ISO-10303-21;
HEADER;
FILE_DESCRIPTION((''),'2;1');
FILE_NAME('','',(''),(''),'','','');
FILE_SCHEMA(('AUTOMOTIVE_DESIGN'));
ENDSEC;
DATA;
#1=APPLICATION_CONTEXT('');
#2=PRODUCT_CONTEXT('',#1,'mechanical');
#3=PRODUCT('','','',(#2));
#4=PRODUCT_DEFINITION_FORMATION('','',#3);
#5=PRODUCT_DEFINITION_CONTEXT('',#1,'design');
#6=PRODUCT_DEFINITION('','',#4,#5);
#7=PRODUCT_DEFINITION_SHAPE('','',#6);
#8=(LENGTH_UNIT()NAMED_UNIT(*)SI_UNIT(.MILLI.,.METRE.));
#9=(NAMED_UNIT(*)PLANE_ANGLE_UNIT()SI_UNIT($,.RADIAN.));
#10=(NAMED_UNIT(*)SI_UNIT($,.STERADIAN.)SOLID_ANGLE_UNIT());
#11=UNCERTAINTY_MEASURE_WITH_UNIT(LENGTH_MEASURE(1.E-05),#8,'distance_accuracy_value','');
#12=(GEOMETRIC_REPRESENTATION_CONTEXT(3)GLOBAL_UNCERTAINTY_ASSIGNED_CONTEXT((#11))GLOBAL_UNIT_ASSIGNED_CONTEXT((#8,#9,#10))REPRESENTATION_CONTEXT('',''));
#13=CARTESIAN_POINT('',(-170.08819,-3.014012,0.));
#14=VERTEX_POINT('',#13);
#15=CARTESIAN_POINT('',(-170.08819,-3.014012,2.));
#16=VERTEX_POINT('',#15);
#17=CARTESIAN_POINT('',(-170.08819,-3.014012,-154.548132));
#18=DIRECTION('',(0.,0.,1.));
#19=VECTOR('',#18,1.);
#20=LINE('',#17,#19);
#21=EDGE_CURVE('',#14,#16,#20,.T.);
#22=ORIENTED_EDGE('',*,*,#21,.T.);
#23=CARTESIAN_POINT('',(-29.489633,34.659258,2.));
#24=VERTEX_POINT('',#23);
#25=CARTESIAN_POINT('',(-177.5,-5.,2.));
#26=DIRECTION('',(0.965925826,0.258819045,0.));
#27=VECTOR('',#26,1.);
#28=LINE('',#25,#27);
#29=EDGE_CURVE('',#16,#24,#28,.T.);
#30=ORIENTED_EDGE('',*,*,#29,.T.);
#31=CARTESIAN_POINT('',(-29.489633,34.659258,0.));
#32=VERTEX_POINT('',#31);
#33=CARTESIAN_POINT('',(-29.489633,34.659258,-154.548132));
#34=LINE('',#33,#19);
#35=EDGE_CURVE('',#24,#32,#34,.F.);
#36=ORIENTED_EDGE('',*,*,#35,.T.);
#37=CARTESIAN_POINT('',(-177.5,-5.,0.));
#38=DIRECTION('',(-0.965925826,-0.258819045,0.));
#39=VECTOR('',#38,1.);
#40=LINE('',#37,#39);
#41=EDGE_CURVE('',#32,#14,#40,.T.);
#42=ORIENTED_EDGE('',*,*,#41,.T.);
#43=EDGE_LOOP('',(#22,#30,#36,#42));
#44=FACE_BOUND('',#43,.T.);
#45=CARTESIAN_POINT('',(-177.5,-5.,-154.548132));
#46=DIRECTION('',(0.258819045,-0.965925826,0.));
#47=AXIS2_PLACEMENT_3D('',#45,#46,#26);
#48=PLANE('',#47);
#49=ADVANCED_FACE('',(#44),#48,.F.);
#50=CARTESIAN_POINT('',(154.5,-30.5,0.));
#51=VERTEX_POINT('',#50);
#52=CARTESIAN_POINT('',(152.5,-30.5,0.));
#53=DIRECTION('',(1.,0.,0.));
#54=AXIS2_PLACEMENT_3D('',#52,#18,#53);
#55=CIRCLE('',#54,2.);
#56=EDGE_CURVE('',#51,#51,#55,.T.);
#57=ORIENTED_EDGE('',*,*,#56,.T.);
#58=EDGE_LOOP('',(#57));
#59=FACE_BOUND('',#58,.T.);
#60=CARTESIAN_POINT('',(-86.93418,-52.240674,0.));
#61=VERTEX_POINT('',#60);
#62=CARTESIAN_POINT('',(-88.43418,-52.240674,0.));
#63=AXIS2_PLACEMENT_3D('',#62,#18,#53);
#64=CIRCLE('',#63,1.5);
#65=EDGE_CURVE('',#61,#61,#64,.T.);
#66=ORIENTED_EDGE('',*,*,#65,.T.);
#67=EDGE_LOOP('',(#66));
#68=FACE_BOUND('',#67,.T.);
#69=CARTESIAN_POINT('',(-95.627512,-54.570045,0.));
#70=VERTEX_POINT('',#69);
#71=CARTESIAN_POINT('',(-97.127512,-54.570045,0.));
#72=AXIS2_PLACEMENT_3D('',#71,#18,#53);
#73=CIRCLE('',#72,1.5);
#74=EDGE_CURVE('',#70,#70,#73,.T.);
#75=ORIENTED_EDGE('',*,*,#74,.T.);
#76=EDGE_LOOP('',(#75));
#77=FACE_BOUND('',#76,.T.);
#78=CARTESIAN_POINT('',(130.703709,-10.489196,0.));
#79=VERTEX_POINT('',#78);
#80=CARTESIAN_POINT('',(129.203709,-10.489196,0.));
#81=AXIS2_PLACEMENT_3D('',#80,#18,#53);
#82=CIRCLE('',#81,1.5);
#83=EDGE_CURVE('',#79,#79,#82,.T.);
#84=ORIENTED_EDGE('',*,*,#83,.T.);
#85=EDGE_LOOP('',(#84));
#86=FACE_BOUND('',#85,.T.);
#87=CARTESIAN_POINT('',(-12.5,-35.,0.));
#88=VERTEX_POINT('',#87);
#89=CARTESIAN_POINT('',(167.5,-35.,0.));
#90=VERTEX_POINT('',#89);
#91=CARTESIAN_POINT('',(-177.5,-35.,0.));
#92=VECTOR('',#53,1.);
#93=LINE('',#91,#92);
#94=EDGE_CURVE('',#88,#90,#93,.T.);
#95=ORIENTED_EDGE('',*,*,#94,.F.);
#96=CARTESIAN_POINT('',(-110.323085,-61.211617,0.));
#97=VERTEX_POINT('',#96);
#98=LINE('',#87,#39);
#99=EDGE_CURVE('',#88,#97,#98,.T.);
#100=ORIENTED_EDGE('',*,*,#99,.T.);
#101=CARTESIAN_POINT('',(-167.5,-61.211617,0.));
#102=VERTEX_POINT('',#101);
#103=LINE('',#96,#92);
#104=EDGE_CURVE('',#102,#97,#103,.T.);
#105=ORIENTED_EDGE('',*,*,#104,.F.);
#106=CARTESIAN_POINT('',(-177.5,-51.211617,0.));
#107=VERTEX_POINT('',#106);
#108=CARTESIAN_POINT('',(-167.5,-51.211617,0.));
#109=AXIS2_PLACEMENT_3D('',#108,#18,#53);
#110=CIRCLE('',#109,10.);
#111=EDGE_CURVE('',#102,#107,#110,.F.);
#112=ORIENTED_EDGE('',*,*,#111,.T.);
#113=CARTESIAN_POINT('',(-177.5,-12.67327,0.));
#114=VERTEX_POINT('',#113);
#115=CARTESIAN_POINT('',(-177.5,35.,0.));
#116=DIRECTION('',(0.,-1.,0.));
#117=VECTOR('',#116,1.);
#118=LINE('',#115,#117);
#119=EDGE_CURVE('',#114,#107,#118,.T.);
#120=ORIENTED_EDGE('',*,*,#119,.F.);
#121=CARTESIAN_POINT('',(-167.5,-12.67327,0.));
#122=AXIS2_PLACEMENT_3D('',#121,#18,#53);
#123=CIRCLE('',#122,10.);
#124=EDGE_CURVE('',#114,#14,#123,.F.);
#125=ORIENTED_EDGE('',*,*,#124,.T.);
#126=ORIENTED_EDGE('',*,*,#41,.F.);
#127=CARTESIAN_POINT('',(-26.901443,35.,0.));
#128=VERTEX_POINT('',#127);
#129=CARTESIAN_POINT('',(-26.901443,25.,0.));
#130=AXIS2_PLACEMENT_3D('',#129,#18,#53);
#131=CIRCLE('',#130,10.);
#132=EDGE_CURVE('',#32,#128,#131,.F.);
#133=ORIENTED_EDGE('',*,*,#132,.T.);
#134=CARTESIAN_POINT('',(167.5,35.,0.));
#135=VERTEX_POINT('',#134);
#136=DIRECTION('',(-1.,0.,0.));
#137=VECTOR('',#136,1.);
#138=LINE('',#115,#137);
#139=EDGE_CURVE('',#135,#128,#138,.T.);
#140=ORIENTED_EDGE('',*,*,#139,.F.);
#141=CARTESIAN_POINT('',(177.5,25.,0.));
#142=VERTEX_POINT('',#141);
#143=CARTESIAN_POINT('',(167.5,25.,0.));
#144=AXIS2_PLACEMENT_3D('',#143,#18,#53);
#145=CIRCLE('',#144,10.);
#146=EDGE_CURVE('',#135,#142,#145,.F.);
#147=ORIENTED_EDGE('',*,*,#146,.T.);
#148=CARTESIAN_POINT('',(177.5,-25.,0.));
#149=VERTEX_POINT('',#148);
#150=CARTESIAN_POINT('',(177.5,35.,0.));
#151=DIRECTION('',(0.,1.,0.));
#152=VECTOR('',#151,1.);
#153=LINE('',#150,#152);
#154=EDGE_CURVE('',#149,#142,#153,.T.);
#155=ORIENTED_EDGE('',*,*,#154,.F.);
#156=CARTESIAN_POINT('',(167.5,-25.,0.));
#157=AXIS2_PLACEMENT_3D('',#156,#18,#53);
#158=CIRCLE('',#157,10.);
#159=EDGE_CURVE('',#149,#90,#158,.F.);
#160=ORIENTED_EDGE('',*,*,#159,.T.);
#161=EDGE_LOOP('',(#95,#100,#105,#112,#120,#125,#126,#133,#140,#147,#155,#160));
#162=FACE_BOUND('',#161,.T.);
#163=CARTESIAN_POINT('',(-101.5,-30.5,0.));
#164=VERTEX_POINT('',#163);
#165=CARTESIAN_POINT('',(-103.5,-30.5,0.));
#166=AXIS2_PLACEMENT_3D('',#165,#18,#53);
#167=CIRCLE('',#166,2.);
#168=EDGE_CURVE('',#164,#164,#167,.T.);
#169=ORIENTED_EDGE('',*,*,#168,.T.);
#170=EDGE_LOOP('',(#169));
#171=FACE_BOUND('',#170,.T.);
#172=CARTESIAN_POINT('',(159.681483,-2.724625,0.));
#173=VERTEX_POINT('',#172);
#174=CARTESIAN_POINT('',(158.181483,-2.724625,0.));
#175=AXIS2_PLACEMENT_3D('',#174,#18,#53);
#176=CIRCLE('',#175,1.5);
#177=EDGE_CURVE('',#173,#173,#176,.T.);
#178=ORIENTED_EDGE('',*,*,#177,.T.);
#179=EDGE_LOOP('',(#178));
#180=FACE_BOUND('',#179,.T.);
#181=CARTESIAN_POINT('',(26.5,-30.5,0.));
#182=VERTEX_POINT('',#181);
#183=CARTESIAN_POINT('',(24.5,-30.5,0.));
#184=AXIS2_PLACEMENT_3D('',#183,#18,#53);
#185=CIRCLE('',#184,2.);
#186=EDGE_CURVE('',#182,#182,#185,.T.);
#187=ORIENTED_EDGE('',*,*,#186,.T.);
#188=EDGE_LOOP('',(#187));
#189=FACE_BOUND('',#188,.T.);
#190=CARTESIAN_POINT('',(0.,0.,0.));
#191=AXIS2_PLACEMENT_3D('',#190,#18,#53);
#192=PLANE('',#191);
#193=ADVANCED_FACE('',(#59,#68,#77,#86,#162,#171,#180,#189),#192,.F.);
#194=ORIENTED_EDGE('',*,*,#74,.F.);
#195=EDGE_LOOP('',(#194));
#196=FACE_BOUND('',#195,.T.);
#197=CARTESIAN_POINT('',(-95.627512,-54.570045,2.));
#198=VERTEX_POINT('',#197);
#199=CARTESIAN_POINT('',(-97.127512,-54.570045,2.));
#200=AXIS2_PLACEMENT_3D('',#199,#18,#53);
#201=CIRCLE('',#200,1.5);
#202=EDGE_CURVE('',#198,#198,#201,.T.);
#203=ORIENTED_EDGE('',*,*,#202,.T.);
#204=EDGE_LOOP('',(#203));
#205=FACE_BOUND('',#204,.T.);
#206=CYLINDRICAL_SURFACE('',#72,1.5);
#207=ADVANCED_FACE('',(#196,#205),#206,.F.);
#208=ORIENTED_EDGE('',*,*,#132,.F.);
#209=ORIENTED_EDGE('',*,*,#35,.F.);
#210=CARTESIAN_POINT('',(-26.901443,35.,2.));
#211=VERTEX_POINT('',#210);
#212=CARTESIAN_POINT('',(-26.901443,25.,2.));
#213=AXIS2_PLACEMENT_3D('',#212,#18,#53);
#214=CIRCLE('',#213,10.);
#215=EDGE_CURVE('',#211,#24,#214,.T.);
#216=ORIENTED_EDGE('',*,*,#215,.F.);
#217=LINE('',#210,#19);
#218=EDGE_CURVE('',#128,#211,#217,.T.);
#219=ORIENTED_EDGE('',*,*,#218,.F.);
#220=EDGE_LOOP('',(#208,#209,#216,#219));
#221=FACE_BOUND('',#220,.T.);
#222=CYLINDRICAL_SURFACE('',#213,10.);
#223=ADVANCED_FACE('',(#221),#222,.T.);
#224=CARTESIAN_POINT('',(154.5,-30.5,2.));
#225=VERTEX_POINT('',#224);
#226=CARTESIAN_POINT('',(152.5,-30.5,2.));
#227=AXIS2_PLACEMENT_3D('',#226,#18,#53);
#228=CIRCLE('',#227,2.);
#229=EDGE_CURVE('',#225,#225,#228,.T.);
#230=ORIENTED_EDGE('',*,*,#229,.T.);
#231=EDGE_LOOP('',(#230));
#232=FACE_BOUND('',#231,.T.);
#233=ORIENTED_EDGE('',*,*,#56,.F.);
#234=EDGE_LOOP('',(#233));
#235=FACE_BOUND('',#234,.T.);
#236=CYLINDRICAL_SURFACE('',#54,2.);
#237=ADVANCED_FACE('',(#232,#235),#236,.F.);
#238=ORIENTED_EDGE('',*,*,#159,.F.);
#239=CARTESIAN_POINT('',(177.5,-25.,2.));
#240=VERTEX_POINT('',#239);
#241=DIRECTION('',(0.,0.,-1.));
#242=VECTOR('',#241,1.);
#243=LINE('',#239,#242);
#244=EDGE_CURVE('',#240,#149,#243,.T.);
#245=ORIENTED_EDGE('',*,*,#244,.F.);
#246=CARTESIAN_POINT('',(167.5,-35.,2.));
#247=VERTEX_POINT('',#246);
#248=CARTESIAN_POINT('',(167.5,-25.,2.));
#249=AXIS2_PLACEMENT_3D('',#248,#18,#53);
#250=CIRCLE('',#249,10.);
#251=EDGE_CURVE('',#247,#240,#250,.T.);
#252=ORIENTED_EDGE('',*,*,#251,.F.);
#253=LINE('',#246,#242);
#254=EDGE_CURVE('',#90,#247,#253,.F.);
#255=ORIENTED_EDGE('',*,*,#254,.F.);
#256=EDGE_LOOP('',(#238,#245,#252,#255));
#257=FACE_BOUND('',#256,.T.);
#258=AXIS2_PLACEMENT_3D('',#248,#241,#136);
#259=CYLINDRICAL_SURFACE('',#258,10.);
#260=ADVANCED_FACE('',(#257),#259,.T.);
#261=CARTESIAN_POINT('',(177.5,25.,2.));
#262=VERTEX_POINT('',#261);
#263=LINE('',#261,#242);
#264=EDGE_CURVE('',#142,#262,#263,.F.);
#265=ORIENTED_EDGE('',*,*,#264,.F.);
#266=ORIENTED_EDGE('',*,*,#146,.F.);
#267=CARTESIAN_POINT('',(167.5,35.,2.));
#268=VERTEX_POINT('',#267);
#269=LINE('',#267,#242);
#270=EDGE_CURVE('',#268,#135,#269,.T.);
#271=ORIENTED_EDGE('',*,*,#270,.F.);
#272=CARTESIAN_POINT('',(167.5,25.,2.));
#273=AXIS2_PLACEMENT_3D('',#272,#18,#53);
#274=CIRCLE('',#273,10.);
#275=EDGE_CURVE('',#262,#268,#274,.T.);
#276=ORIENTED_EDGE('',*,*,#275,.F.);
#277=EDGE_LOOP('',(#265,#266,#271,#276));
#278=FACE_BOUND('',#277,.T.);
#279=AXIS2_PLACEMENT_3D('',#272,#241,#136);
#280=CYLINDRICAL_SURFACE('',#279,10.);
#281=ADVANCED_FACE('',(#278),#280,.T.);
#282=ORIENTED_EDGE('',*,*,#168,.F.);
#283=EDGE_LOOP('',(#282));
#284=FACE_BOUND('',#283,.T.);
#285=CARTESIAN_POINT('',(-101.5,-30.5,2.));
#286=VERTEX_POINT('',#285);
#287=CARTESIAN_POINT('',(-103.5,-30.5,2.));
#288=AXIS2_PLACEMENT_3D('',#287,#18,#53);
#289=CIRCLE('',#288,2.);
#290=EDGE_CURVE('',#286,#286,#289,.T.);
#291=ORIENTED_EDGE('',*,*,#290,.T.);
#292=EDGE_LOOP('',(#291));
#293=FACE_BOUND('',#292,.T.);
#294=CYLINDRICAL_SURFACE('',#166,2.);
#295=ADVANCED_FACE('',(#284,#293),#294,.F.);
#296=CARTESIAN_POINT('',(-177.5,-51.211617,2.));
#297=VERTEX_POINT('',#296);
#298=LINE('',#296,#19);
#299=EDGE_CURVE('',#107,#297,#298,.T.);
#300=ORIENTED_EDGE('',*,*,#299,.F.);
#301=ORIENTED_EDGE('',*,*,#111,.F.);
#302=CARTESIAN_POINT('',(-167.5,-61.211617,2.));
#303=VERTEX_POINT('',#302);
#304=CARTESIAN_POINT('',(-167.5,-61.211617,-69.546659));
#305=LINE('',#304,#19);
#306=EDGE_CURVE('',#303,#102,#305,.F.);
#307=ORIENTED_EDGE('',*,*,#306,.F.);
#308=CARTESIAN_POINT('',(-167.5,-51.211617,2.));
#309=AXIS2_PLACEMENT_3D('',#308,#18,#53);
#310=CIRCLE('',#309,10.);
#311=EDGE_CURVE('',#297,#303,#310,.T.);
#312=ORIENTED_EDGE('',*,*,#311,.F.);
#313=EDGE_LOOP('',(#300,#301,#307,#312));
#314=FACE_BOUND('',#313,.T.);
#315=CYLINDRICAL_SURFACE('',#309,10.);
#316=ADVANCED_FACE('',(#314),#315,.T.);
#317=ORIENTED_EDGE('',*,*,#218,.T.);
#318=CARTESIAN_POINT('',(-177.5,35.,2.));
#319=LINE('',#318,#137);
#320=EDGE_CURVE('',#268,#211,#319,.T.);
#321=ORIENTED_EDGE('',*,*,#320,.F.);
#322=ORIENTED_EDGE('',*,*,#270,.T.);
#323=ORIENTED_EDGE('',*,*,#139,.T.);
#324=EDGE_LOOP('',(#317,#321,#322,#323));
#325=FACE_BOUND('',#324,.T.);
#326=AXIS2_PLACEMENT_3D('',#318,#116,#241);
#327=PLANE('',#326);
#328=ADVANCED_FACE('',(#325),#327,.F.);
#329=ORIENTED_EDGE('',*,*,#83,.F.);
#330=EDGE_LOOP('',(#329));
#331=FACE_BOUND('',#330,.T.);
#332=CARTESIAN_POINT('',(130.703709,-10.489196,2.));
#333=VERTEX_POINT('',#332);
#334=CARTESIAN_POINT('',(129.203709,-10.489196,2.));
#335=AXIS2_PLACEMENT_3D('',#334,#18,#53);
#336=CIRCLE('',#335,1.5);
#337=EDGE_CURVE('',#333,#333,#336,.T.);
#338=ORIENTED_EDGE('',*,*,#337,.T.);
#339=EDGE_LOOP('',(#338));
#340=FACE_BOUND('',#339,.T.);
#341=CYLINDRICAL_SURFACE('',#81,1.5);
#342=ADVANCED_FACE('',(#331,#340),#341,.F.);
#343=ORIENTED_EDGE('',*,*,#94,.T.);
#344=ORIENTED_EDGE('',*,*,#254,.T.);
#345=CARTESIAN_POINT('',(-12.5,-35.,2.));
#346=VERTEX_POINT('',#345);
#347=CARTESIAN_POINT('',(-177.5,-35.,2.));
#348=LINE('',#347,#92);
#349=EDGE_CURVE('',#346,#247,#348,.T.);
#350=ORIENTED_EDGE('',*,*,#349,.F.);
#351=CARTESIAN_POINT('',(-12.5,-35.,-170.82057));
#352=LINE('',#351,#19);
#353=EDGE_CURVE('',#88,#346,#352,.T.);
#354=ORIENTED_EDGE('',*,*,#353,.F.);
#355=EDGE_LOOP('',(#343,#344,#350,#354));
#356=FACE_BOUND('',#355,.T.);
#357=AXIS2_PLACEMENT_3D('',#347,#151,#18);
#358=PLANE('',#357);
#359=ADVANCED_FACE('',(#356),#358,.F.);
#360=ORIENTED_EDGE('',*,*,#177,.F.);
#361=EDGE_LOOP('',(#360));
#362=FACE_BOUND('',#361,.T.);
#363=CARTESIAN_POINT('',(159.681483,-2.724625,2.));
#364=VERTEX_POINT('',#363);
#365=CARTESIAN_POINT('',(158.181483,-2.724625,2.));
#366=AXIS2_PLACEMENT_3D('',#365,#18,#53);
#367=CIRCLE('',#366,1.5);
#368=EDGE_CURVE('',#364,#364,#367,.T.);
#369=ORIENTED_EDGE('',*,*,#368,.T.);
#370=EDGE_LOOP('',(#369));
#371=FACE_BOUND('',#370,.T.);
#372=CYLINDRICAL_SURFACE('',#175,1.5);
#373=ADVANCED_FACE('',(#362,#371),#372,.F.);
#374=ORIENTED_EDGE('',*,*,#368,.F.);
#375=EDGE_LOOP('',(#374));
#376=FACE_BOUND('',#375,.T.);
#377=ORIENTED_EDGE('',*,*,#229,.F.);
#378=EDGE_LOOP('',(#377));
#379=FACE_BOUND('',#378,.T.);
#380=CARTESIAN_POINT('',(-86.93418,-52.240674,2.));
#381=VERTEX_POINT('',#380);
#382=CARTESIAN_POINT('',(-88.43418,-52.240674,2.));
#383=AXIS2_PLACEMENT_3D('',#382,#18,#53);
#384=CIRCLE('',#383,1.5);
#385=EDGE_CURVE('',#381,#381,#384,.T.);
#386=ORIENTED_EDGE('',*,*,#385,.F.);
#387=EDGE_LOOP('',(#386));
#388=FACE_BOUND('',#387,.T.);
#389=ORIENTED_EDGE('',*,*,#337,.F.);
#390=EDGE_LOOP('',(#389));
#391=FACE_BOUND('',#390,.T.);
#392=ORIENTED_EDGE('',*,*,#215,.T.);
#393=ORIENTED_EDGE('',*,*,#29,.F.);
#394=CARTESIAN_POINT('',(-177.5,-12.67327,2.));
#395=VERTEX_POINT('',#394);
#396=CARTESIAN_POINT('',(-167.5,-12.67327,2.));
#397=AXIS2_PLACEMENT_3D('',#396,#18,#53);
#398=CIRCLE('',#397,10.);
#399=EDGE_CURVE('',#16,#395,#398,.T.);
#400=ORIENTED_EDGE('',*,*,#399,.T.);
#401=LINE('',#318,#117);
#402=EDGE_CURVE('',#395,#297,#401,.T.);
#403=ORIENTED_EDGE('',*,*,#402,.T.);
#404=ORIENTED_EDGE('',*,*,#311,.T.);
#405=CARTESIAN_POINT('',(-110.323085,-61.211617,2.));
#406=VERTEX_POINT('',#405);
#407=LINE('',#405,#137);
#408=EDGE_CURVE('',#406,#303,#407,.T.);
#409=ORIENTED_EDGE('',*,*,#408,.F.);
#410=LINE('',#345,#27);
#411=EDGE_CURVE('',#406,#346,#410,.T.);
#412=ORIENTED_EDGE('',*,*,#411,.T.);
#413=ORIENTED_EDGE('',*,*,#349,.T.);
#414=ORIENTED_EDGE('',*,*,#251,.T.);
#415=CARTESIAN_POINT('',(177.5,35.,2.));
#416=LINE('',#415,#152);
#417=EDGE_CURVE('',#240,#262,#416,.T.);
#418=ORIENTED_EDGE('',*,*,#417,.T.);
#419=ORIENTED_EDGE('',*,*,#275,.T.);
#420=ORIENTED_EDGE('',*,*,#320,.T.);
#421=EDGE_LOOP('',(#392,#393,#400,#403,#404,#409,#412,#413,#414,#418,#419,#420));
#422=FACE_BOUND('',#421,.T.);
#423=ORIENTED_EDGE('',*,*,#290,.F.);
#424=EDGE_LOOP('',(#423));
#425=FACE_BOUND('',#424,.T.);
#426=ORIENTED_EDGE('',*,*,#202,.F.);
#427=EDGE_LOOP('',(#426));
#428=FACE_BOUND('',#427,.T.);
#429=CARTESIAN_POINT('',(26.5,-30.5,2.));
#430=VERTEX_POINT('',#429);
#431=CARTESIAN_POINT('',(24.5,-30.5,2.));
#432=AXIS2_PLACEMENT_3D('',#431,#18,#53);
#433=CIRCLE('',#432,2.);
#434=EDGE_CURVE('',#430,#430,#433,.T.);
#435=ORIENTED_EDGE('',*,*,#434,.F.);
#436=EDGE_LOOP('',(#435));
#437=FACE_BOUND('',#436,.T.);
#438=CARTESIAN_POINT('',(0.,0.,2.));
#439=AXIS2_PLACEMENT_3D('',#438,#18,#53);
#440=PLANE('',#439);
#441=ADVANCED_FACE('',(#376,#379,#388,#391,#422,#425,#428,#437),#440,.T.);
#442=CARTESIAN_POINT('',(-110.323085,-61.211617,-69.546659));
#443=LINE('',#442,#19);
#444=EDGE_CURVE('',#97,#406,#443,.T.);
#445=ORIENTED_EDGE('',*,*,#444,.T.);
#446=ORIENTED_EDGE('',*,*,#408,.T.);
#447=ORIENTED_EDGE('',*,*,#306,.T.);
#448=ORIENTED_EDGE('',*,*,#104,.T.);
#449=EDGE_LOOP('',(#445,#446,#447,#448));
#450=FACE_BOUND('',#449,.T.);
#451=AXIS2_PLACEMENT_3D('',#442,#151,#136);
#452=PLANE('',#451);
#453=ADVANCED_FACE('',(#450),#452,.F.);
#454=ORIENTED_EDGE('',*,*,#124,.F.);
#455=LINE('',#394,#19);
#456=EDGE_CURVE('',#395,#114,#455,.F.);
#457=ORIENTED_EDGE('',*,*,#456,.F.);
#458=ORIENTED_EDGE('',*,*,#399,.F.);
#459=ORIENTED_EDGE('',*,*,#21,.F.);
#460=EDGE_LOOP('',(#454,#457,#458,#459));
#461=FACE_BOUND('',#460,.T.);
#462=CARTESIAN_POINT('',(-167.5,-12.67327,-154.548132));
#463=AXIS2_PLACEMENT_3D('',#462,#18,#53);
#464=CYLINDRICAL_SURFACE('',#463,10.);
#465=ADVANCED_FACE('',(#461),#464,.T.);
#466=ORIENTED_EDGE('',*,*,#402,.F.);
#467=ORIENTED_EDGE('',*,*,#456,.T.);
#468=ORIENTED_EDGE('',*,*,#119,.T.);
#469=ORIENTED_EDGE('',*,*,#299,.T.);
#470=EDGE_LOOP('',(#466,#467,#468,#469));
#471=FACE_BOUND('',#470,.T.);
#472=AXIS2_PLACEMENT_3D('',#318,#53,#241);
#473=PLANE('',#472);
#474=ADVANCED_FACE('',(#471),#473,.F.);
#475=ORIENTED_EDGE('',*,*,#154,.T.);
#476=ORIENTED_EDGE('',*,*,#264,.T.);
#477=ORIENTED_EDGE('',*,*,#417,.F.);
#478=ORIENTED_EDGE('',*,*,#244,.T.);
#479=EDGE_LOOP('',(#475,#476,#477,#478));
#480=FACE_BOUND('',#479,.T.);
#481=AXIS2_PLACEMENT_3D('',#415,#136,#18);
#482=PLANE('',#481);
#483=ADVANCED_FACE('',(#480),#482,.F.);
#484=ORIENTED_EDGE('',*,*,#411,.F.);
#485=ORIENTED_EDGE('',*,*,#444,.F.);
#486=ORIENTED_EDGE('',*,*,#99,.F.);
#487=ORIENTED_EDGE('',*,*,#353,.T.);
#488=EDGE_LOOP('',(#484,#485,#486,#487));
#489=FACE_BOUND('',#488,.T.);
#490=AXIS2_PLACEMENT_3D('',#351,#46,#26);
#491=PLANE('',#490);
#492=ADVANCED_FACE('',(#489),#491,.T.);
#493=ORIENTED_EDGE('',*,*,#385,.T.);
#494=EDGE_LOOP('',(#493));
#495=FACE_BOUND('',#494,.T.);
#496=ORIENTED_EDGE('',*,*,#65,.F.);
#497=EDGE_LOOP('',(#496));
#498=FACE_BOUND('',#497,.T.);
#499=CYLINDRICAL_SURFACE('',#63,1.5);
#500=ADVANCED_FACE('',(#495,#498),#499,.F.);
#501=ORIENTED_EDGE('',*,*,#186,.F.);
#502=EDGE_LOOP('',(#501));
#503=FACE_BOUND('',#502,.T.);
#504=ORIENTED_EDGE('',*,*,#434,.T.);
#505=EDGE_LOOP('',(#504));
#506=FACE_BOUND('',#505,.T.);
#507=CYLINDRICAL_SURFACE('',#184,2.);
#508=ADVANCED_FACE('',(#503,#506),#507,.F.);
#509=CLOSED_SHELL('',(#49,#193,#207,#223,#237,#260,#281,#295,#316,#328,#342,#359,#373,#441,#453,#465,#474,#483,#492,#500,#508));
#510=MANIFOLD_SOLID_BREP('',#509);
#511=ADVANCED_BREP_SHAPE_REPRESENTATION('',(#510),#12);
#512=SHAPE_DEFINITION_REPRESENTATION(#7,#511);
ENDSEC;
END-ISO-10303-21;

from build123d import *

# Parameters (mm, degrees)
SKETCH_1_W          = 355
SKETCH_1_H          = 70
EXTRUDE_1_DEPTH     = 2
EXTRUDE_2_DEPTH     = 2
SKETCH_3_R          = 2
CUT_EXTRUDE_1_DEPTH = 195.38294737
SKETCH_4_R          = 1.5
CUT_EXTRUDE_2_DEPTH = 195.38294737
CUT_EXTRUDE_3_DEPTH = 2
CUT_EXTRUDE_4_DEPTH = 2
FILLET_1_R          = 10


with BuildPart() as part:
    # 草图1 → 凸台-拉伸1 (new body)
    with BuildSketch(Plane.XY):
        Rectangle(SKETCH_1_W, SKETCH_1_H)
    extrude(amount=EXTRUDE_1_DEPTH)

    # 草图2 → 凸台-拉伸2 (add)
    with BuildSketch(Plane.XY.offset(2)):
        Polygon((-12.5, -35), (-177.5, -79.211616751), (-177.5, -35), align=None)
    extrude(amount=-EXTRUDE_2_DEPTH)

    # 草图3 → 切除-拉伸1 (cut, through all)
    with BuildSketch(Plane.XY.offset(2)):
        with Locations((152.5, -30.5)):
            Circle(SKETCH_3_R)
        with Locations((24.5, -30.5)):
            Circle(SKETCH_3_R)
        with Locations((-103.5, -30.5)):
            Circle(SKETCH_3_R)
    extrude(amount=-CUT_EXTRUDE_1_DEPTH, mode=Mode.SUBTRACT)

    # 草图4 → 切除-拉伸2 (cut, through all)
    with BuildSketch(Plane.XY.offset(2)):
        with Locations((-97.127512474, -54.570045084)):
            Circle(SKETCH_4_R)
        with Locations((-88.434180038, -52.240673678)):
            Circle(SKETCH_4_R)
        with Locations((129.203708686, -10.489196039)):
            Circle(SKETCH_4_R)
        with Locations((158.181483474, -2.724624685)):
            Circle(SKETCH_4_R)
    extrude(amount=-CUT_EXTRUDE_2_DEPTH, mode=Mode.SUBTRACT)

    # 草图5 → 切除-拉伸3 (cut)
    with BuildSketch(Plane.XY.offset(2)):
        Polygon((-177.5, -5), (-28.217967697, 35), (-177.5, 35), align=None)
    extrude(amount=-CUT_EXTRUDE_3_DEPTH, mode=Mode.SUBTRACT)

    # 草图6 → 切除-拉伸4 (cut)
    with BuildSketch(Plane.XY.offset(2)):
        Polygon((-110.323085464, -61.211616751), (-177.5, -61.211616751), (-177.5, -79.211616751), align=None)
    extrude(amount=-CUT_EXTRUDE_4_DEPTH, mode=Mode.SUBTRACT)

    # 圆角1
    fillet_1_edges = [part.edges().sort_by_distance(p)[0] for p in [
        (-177.5, -5, 1),
        (-28.217967697, 35, 1),
        (-177.5, -61.211616751, 1),
        (177.5, -35, 1),
        (177.5, 35, 1),
    ]]
    fillet(fillet_1_edges, radius=FILLET_1_R)


solid = part.part
